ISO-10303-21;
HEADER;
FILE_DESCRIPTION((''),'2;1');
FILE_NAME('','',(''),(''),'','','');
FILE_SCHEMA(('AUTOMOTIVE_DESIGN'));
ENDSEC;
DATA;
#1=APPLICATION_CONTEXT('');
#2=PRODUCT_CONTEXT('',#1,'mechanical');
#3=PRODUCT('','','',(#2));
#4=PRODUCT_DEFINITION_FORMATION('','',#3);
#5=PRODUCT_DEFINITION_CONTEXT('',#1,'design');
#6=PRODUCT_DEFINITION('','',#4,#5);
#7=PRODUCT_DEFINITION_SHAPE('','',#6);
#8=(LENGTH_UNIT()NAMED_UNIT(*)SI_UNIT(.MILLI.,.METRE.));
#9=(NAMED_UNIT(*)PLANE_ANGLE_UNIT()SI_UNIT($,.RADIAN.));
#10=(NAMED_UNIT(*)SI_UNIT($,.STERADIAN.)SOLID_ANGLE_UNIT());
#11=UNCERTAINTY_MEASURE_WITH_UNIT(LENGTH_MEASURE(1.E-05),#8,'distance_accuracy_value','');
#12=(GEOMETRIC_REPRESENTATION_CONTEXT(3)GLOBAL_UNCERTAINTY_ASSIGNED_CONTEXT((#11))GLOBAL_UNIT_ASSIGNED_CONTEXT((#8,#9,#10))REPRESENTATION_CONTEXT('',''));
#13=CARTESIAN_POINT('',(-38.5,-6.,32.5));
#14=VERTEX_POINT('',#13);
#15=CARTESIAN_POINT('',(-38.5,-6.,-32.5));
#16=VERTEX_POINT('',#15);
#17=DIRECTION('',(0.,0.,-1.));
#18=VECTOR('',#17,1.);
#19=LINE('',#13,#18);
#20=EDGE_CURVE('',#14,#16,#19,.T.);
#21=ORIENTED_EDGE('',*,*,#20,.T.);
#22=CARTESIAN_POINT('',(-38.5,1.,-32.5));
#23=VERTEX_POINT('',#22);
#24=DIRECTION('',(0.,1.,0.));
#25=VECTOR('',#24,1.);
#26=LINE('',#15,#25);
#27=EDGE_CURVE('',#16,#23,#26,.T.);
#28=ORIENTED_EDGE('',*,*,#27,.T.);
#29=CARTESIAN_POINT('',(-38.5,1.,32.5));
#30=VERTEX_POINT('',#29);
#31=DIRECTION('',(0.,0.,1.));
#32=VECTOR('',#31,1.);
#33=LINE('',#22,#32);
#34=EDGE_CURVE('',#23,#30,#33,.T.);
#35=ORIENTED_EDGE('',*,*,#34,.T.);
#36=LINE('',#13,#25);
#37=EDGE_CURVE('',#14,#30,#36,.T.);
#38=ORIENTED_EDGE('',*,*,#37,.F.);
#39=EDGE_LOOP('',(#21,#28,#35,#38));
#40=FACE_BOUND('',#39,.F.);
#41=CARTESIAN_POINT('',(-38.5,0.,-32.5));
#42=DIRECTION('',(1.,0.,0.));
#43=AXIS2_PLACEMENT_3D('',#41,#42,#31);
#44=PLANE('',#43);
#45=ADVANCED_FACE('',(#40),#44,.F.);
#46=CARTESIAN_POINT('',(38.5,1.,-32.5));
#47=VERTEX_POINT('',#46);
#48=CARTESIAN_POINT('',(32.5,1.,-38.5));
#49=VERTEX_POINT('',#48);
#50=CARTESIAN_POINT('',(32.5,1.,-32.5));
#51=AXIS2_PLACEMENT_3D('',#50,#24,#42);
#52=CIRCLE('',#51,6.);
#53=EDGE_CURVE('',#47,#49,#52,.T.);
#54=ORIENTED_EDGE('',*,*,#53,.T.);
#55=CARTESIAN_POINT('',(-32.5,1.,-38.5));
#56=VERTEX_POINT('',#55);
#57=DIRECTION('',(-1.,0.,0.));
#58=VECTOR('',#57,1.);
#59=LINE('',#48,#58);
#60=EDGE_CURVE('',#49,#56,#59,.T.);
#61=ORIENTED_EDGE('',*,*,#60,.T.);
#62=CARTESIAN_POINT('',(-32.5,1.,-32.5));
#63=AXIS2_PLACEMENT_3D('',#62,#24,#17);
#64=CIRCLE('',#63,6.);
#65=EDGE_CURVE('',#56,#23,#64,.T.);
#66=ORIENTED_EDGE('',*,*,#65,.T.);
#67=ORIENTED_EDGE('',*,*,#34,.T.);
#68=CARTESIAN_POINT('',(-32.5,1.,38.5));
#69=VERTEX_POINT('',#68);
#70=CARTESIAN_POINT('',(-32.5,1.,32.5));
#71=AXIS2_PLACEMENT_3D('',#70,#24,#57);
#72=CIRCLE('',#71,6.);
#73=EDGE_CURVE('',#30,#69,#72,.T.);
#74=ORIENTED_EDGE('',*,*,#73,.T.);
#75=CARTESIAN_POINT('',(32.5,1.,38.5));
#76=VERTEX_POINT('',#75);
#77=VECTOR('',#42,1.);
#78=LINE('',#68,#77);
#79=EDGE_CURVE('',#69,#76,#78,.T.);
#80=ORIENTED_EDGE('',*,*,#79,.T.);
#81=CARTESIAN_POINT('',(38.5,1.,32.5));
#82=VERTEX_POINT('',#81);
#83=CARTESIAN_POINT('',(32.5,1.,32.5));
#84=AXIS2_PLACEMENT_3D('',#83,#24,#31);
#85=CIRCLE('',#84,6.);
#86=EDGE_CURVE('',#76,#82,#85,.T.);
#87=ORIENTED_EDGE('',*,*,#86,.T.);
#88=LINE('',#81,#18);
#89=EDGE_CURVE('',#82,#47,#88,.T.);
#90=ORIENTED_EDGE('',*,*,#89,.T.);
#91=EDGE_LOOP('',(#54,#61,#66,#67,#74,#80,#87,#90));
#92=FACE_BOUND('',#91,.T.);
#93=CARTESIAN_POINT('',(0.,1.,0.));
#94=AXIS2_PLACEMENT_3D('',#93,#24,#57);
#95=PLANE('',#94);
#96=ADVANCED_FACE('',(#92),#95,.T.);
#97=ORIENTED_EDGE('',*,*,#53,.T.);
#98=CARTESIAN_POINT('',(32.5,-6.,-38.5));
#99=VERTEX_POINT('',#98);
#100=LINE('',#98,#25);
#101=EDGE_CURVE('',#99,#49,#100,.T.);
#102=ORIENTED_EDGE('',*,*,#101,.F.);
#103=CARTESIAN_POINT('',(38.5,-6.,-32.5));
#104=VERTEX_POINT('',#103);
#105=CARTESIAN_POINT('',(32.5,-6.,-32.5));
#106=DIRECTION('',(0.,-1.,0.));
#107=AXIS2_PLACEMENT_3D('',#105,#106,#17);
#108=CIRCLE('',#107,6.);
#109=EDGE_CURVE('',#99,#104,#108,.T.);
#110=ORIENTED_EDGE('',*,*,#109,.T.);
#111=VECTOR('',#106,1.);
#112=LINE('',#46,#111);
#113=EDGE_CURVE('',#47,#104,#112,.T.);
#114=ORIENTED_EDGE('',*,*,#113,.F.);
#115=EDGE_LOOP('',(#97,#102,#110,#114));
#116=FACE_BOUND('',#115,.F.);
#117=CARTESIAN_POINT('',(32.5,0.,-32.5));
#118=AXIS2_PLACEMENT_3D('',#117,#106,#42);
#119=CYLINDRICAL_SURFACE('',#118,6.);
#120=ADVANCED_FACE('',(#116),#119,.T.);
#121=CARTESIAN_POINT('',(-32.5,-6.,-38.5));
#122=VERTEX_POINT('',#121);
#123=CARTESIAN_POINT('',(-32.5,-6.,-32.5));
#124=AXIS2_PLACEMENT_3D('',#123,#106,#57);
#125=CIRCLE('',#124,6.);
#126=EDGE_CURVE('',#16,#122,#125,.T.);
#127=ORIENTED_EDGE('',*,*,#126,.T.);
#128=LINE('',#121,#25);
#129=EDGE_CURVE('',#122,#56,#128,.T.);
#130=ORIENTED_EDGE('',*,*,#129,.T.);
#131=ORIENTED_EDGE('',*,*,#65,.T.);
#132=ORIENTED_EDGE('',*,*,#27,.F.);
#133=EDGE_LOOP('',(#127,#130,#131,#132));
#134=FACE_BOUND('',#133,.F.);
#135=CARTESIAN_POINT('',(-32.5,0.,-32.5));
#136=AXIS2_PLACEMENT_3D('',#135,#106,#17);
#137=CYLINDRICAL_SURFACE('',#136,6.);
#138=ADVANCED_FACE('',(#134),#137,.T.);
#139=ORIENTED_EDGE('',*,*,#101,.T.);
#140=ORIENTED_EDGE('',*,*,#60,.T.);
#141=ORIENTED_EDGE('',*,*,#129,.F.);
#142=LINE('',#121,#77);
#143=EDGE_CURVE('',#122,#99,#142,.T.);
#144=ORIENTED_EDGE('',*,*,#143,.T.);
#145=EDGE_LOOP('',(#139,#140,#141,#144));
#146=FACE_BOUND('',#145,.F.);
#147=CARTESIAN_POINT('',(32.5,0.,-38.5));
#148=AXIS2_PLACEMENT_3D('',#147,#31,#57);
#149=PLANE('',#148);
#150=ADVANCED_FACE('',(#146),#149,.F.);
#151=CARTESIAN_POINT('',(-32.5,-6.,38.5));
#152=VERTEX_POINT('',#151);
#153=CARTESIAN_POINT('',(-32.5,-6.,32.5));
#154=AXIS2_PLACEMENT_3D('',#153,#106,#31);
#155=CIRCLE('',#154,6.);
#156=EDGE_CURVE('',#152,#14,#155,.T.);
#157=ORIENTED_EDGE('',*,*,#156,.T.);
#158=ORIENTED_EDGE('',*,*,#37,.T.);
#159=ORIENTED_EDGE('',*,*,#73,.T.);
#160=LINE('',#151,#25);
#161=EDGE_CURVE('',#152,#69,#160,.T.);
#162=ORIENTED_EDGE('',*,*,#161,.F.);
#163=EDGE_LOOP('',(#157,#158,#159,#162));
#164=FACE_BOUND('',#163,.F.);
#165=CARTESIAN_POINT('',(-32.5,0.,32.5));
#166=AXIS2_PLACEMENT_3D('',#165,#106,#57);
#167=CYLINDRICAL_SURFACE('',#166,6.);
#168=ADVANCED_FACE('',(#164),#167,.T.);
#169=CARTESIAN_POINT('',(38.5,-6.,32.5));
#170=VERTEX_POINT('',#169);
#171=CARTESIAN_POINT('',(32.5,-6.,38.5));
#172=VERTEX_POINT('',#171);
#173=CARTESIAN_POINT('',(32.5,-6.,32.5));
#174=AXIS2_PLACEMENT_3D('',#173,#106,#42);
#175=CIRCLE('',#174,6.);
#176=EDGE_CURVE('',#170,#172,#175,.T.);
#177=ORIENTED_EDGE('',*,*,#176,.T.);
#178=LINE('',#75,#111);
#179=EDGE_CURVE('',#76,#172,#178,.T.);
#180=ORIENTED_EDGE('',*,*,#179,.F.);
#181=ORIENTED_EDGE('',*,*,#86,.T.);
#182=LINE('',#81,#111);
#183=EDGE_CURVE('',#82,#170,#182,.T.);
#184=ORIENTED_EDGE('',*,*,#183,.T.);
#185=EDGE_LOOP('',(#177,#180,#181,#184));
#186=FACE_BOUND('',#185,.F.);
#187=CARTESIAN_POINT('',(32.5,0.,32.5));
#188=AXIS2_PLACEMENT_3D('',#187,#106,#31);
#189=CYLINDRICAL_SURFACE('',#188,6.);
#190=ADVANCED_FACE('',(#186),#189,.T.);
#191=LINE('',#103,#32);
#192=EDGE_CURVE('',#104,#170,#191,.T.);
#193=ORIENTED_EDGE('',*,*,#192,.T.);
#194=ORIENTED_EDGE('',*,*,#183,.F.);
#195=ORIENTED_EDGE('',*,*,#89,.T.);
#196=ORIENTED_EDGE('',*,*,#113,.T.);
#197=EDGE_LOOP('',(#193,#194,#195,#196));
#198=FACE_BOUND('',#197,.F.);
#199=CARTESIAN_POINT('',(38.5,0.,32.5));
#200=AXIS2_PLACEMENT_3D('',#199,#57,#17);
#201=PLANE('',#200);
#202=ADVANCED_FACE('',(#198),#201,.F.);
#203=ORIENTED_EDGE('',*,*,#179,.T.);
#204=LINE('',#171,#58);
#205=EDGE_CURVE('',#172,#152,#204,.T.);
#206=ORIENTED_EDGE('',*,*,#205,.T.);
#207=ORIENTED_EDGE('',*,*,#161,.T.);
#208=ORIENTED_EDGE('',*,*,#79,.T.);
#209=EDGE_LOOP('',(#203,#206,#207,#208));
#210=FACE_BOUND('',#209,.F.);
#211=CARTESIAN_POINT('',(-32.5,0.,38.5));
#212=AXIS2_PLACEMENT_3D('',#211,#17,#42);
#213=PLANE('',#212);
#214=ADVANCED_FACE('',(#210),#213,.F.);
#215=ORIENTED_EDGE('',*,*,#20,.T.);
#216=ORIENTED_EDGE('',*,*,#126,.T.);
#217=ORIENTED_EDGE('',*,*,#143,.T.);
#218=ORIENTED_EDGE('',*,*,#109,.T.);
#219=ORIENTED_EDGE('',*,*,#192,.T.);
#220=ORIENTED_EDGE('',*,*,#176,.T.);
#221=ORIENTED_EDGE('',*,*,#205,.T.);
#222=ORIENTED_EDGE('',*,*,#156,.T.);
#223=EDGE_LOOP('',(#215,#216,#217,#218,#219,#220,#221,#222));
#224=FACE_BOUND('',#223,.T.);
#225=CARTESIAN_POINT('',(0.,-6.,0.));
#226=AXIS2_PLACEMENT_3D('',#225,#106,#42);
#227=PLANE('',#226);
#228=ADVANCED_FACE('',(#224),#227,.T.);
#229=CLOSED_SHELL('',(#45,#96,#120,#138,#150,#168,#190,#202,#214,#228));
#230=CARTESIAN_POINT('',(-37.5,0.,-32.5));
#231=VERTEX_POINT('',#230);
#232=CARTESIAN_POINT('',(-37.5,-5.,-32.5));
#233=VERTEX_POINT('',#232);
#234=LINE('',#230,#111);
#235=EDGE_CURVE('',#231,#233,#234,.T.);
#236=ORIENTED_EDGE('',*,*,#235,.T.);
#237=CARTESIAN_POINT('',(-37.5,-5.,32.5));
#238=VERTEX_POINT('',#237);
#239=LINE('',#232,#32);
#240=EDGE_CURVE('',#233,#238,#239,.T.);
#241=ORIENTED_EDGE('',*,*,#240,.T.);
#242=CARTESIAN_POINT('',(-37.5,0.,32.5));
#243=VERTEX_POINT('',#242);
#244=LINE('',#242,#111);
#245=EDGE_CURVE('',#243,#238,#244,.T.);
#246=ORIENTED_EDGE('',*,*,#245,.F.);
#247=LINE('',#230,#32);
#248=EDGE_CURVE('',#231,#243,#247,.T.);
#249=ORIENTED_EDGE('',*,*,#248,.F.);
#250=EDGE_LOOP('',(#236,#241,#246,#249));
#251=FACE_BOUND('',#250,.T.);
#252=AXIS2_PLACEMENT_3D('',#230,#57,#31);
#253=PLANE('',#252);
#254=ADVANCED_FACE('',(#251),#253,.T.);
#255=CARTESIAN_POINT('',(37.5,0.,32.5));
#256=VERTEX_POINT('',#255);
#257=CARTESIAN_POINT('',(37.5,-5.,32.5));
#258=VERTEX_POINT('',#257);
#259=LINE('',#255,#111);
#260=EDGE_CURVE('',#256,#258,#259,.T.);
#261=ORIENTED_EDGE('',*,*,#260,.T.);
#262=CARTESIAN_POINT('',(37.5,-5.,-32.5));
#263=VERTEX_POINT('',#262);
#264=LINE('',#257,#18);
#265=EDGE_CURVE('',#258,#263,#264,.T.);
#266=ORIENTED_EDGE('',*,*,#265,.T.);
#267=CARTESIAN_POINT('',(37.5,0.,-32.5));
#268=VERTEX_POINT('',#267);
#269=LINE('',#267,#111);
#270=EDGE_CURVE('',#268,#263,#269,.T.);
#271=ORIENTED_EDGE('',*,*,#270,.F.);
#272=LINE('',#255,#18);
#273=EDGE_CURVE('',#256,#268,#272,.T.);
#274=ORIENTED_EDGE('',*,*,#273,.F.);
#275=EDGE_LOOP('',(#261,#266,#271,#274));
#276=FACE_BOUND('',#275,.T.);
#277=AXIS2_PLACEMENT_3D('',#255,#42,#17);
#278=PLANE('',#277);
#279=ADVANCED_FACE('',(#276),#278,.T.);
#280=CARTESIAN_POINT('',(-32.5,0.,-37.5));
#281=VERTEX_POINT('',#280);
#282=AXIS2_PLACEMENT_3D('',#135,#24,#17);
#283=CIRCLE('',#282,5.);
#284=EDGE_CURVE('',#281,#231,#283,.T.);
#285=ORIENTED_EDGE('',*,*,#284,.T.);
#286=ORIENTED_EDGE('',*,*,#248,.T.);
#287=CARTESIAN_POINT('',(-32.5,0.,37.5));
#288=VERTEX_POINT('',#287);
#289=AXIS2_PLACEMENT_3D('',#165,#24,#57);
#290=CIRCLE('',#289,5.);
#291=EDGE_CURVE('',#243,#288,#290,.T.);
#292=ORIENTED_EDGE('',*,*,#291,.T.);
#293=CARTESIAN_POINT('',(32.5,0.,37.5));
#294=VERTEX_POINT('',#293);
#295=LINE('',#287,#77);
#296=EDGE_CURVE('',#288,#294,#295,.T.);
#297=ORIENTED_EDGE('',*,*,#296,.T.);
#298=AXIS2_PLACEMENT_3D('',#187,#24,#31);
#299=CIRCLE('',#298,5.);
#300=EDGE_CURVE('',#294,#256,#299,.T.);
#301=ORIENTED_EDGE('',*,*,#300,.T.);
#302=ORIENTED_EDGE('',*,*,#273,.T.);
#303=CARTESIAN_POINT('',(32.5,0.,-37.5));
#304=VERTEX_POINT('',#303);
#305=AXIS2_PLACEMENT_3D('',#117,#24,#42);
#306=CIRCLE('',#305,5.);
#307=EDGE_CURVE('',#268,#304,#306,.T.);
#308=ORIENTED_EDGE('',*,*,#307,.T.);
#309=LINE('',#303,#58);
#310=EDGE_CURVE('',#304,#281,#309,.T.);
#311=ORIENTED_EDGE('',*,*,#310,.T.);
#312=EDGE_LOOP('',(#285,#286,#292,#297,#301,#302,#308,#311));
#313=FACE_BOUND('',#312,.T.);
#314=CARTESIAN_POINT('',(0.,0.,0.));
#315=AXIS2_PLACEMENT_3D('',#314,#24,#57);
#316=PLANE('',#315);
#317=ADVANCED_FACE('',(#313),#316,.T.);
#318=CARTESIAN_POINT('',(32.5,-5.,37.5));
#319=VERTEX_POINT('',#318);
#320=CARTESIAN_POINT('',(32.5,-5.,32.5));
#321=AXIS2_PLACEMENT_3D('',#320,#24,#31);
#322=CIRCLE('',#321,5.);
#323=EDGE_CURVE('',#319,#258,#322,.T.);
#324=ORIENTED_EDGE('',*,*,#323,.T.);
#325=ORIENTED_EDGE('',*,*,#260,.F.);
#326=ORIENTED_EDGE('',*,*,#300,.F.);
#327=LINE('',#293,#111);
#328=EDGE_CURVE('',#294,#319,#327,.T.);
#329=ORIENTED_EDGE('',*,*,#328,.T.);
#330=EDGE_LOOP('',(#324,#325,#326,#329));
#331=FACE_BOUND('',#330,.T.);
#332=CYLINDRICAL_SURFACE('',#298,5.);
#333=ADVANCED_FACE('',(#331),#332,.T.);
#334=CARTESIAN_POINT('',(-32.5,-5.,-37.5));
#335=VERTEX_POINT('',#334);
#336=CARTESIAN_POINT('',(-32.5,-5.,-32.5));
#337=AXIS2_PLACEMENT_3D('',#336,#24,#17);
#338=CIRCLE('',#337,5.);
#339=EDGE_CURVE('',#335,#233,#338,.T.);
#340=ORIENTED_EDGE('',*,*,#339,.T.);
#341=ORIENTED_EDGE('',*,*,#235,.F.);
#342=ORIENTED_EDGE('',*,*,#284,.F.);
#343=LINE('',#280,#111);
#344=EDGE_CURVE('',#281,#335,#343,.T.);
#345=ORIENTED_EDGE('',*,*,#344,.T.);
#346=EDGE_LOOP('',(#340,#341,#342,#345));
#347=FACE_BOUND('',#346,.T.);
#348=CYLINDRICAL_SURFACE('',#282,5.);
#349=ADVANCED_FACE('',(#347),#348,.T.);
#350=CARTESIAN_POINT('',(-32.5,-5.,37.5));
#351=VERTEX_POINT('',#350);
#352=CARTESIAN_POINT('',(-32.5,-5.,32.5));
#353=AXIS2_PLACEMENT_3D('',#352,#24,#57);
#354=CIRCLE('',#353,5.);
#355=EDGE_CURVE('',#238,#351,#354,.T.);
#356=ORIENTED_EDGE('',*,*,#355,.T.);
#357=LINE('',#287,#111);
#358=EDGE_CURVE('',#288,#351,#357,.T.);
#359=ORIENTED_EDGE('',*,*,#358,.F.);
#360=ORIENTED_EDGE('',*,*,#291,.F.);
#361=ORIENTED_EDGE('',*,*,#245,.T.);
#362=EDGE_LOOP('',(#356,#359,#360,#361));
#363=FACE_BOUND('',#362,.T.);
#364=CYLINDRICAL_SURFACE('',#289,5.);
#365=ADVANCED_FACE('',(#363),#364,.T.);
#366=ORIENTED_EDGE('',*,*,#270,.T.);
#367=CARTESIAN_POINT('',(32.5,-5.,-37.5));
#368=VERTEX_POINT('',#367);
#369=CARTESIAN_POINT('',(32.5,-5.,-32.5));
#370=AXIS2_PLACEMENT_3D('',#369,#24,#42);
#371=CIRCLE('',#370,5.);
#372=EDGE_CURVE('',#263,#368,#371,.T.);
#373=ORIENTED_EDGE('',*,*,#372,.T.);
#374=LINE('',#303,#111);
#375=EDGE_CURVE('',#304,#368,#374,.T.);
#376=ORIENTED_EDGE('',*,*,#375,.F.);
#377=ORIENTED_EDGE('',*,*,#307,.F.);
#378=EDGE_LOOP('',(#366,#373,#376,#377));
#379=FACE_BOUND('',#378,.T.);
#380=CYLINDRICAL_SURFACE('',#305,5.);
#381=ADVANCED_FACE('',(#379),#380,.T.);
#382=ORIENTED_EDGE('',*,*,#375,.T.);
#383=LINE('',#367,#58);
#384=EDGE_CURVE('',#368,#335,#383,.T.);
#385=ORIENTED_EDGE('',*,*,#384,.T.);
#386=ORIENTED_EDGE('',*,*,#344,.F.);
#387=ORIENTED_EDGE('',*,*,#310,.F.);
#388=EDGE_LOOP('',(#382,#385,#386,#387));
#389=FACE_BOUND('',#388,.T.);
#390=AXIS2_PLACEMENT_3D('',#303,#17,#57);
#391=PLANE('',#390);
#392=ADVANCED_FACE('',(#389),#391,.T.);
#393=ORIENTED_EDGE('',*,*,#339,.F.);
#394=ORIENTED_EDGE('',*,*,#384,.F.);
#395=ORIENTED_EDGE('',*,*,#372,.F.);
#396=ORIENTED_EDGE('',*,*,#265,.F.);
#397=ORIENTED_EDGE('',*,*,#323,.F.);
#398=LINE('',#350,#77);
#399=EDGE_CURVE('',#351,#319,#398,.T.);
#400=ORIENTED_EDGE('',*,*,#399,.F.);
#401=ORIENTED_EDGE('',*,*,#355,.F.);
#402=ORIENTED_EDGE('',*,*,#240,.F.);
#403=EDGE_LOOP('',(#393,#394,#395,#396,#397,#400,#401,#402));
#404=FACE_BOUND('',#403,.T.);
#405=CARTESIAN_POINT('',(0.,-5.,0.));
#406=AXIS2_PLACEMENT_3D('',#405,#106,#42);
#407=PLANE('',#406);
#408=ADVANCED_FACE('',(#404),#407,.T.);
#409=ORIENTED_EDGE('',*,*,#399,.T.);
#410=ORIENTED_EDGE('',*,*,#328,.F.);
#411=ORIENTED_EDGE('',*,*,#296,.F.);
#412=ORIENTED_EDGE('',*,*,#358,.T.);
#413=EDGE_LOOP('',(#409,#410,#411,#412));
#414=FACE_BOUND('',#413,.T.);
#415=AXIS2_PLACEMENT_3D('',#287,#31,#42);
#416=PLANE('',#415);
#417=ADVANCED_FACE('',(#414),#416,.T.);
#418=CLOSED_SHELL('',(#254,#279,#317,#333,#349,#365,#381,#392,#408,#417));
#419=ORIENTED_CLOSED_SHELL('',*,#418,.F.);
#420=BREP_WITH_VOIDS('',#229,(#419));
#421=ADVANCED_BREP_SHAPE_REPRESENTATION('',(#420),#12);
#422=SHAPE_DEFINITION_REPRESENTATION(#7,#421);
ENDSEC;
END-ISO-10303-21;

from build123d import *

# Parameters (mm, degrees)
F1_DEPTH = 5
F3_DEPTH = 1
F5_DEPTH = 1


with BuildPart() as f1:
    # F0 (on Front) → F1 (new body)
    with BuildSketch(Plane.XZ):
        with BuildLine():
            Line((-32.5, -38.5), (32.5, -38.5))
            ThreePointArc((32.5, -38.5), (36.7426406871, -36.7426406871), (38.5, -32.5))
            Line((38.5, -32.5), (38.5, 32.5))
            ThreePointArc((38.5, 32.5), (36.7426406871, 36.7426406871), (32.5, 38.5))
            Line((32.5, 38.5), (-32.5, 38.5))
            ThreePointArc((-32.5, 38.5), (-36.7426406871, 36.7426406871), (-38.5, 32.5))
            Line((-38.5, 32.5), (-38.5, -32.5))
            ThreePointArc((-38.5, -32.5), (-36.7426406871, -36.7426406871), (-32.5, -38.5))
        make_face()
        with BuildLine():
            ThreePointArc((37.5, -32.5), (36.0355339059, -36.0355339059), (32.5, -37.5))
            Line((32.5, -37.5), (-32.5, -37.5))
            ThreePointArc((-32.5, -37.5), (-36.0355339059, -36.0355339059), (-37.5, -32.5))
            Line((-37.5, -32.5), (-37.5, 32.5))
            ThreePointArc((-37.5, 32.5), (-36.0355339059, 36.0355339059), (-32.5, 37.5))
            Line((-32.5, 37.5), (32.5, 37.5))
            ThreePointArc((32.5, 37.5), (36.0355339059, 36.0355339059), (37.5, 32.5))
            Line((37.5, 32.5), (37.5, -32.5))
        make_face(mode=Mode.SUBTRACT)
    extrude(amount=F1_DEPTH)

    # F2 (on face) → F3 (join)
    with BuildSketch(Plane.XZ.offset(5)):
        with BuildLine():
            ThreePointArc((-38.5, -32.5), (-36.7426406871, -36.7426406871), (-32.5, -38.5))
            Line((-32.5, -38.5), (32.5, -38.5))
            ThreePointArc((32.5, -38.5), (36.7426406871, -36.7426406871), (38.5, -32.5))
            Line((38.5, -32.5), (38.5, 32.5))
            ThreePointArc((38.5, 32.5), (36.7426406871, 36.7426406871), (32.5, 38.5))
            Line((32.5, 38.5), (-32.5, 38.5))
            ThreePointArc((-32.5, 38.5), (-36.7426406871, 36.7426406871), (-38.5, 32.5))
            Line((-38.5, 32.5), (-38.5, -32.5))
        make_face()
        with BuildLine():
            Line((37.5, 32.5), (37.5, -32.5))
            ThreePointArc((37.5, -32.5), (36.0355339059, -36.0355339059), (32.5, -37.5))
            Line((32.5, -37.5), (-32.5, -37.5))
            ThreePointArc((-32.5, -37.5), (-36.0355339059, -36.0355339059), (-37.5, -32.5))
            Line((-37.5, -32.5), (-37.5, 32.5))
            ThreePointArc((-37.5, 32.5), (-36.0355339059, 36.0355339059), (-32.5, 37.5))
            Line((-32.5, 37.5), (32.5, 37.5))
            ThreePointArc((32.5, 37.5), (36.0355339059, 36.0355339059), (37.5, 32.5))
        make_face(mode=Mode.SUBTRACT)
        with BuildLine():
            ThreePointArc((32.5, -37.5), (36.0355339059, -36.0355339059), (37.5, -32.5))
            Line((37.5, -32.5), (37.5, 32.5))
            ThreePointArc((37.5, 32.5), (36.0355339059, 36.0355339059), (32.5, 37.5))
            Line((32.5, 37.5), (-32.5, 37.5))
            ThreePointArc((-32.5, 37.5), (-36.0355339059, 36.0355339059), (-37.5, 32.5))
            Line((-37.5, 32.5), (-37.5, -32.5))
            ThreePointArc((-37.5, -32.5), (-36.0355339059, -36.0355339059), (-32.5, -37.5))
            Line((-32.5, -37.5), (32.5, -37.5))
        make_face()
    extrude(amount=F3_DEPTH)

    # F4 (on face) → F5 (join)
    with BuildSketch(Plane(origin=(0, 0, 0), x_dir=(-1, 0, 0), z_dir=(0, 1, 0))):
        with BuildLine():
            ThreePointArc((-38.5, -32.5), (-36.7426406871, -36.7426406871), (-32.5, -38.5))
            Line((-32.5, -38.5), (32.5, -38.5))
            ThreePointArc((32.5, -38.5), (36.7426406871, -36.7426406871), (38.5, -32.5))
            Line((38.5, -32.5), (38.5, 32.5))
            ThreePointArc((38.5, 32.5), (36.7426406871, 36.7426406871), (32.5, 38.5))
            Line((32.5, 38.5), (-32.5, 38.5))
            ThreePointArc((-32.5, 38.5), (-36.7426406871, 36.7426406871), (-38.5, 32.5))
            Line((-38.5, 32.5), (-38.5, -32.5))
        make_face()
        with BuildLine():
            Line((32.5, -37.5), (-32.5, -37.5))
            ThreePointArc((-32.5, -37.5), (-36.0355339059, -36.0355339059), (-37.5, -32.5))
            Line((-37.5, -32.5), (-37.5, 32.5))
            ThreePointArc((-37.5, 32.5), (-36.0355339059, 36.0355339059), (-32.5, 37.5))
            Line((-32.5, 37.5), (32.5, 37.5))
            ThreePointArc((32.5, 37.5), (36.0355339059, 36.0355339059), (37.5, 32.5))
            Line((37.5, 32.5), (37.5, -32.5))
            ThreePointArc((37.5, -32.5), (36.0355339059, -36.0355339059), (32.5, -37.5))
        make_face(mode=Mode.SUBTRACT)
        with BuildLine():
            ThreePointArc((-37.5, -32.5), (-36.0355339059, -36.0355339059), (-32.5, -37.5))
            Line((-32.5, -37.5), (32.5, -37.5))
            ThreePointArc((32.5, -37.5), (36.0355339059, -36.0355339059), (37.5, -32.5))
            Line((37.5, -32.5), (37.5, 32.5))
            ThreePointArc((37.5, 32.5), (36.0355339059, 36.0355339059), (32.5, 37.5))
            Line((32.5, 37.5), (-32.5, 37.5))
            ThreePointArc((-32.5, 37.5), (-36.0355339059, 36.0355339059), (-37.5, 32.5))
            Line((-37.5, 32.5), (-37.5, -32.5))
        make_face()
    extrude(amount=F5_DEPTH)


solid = f1.part
